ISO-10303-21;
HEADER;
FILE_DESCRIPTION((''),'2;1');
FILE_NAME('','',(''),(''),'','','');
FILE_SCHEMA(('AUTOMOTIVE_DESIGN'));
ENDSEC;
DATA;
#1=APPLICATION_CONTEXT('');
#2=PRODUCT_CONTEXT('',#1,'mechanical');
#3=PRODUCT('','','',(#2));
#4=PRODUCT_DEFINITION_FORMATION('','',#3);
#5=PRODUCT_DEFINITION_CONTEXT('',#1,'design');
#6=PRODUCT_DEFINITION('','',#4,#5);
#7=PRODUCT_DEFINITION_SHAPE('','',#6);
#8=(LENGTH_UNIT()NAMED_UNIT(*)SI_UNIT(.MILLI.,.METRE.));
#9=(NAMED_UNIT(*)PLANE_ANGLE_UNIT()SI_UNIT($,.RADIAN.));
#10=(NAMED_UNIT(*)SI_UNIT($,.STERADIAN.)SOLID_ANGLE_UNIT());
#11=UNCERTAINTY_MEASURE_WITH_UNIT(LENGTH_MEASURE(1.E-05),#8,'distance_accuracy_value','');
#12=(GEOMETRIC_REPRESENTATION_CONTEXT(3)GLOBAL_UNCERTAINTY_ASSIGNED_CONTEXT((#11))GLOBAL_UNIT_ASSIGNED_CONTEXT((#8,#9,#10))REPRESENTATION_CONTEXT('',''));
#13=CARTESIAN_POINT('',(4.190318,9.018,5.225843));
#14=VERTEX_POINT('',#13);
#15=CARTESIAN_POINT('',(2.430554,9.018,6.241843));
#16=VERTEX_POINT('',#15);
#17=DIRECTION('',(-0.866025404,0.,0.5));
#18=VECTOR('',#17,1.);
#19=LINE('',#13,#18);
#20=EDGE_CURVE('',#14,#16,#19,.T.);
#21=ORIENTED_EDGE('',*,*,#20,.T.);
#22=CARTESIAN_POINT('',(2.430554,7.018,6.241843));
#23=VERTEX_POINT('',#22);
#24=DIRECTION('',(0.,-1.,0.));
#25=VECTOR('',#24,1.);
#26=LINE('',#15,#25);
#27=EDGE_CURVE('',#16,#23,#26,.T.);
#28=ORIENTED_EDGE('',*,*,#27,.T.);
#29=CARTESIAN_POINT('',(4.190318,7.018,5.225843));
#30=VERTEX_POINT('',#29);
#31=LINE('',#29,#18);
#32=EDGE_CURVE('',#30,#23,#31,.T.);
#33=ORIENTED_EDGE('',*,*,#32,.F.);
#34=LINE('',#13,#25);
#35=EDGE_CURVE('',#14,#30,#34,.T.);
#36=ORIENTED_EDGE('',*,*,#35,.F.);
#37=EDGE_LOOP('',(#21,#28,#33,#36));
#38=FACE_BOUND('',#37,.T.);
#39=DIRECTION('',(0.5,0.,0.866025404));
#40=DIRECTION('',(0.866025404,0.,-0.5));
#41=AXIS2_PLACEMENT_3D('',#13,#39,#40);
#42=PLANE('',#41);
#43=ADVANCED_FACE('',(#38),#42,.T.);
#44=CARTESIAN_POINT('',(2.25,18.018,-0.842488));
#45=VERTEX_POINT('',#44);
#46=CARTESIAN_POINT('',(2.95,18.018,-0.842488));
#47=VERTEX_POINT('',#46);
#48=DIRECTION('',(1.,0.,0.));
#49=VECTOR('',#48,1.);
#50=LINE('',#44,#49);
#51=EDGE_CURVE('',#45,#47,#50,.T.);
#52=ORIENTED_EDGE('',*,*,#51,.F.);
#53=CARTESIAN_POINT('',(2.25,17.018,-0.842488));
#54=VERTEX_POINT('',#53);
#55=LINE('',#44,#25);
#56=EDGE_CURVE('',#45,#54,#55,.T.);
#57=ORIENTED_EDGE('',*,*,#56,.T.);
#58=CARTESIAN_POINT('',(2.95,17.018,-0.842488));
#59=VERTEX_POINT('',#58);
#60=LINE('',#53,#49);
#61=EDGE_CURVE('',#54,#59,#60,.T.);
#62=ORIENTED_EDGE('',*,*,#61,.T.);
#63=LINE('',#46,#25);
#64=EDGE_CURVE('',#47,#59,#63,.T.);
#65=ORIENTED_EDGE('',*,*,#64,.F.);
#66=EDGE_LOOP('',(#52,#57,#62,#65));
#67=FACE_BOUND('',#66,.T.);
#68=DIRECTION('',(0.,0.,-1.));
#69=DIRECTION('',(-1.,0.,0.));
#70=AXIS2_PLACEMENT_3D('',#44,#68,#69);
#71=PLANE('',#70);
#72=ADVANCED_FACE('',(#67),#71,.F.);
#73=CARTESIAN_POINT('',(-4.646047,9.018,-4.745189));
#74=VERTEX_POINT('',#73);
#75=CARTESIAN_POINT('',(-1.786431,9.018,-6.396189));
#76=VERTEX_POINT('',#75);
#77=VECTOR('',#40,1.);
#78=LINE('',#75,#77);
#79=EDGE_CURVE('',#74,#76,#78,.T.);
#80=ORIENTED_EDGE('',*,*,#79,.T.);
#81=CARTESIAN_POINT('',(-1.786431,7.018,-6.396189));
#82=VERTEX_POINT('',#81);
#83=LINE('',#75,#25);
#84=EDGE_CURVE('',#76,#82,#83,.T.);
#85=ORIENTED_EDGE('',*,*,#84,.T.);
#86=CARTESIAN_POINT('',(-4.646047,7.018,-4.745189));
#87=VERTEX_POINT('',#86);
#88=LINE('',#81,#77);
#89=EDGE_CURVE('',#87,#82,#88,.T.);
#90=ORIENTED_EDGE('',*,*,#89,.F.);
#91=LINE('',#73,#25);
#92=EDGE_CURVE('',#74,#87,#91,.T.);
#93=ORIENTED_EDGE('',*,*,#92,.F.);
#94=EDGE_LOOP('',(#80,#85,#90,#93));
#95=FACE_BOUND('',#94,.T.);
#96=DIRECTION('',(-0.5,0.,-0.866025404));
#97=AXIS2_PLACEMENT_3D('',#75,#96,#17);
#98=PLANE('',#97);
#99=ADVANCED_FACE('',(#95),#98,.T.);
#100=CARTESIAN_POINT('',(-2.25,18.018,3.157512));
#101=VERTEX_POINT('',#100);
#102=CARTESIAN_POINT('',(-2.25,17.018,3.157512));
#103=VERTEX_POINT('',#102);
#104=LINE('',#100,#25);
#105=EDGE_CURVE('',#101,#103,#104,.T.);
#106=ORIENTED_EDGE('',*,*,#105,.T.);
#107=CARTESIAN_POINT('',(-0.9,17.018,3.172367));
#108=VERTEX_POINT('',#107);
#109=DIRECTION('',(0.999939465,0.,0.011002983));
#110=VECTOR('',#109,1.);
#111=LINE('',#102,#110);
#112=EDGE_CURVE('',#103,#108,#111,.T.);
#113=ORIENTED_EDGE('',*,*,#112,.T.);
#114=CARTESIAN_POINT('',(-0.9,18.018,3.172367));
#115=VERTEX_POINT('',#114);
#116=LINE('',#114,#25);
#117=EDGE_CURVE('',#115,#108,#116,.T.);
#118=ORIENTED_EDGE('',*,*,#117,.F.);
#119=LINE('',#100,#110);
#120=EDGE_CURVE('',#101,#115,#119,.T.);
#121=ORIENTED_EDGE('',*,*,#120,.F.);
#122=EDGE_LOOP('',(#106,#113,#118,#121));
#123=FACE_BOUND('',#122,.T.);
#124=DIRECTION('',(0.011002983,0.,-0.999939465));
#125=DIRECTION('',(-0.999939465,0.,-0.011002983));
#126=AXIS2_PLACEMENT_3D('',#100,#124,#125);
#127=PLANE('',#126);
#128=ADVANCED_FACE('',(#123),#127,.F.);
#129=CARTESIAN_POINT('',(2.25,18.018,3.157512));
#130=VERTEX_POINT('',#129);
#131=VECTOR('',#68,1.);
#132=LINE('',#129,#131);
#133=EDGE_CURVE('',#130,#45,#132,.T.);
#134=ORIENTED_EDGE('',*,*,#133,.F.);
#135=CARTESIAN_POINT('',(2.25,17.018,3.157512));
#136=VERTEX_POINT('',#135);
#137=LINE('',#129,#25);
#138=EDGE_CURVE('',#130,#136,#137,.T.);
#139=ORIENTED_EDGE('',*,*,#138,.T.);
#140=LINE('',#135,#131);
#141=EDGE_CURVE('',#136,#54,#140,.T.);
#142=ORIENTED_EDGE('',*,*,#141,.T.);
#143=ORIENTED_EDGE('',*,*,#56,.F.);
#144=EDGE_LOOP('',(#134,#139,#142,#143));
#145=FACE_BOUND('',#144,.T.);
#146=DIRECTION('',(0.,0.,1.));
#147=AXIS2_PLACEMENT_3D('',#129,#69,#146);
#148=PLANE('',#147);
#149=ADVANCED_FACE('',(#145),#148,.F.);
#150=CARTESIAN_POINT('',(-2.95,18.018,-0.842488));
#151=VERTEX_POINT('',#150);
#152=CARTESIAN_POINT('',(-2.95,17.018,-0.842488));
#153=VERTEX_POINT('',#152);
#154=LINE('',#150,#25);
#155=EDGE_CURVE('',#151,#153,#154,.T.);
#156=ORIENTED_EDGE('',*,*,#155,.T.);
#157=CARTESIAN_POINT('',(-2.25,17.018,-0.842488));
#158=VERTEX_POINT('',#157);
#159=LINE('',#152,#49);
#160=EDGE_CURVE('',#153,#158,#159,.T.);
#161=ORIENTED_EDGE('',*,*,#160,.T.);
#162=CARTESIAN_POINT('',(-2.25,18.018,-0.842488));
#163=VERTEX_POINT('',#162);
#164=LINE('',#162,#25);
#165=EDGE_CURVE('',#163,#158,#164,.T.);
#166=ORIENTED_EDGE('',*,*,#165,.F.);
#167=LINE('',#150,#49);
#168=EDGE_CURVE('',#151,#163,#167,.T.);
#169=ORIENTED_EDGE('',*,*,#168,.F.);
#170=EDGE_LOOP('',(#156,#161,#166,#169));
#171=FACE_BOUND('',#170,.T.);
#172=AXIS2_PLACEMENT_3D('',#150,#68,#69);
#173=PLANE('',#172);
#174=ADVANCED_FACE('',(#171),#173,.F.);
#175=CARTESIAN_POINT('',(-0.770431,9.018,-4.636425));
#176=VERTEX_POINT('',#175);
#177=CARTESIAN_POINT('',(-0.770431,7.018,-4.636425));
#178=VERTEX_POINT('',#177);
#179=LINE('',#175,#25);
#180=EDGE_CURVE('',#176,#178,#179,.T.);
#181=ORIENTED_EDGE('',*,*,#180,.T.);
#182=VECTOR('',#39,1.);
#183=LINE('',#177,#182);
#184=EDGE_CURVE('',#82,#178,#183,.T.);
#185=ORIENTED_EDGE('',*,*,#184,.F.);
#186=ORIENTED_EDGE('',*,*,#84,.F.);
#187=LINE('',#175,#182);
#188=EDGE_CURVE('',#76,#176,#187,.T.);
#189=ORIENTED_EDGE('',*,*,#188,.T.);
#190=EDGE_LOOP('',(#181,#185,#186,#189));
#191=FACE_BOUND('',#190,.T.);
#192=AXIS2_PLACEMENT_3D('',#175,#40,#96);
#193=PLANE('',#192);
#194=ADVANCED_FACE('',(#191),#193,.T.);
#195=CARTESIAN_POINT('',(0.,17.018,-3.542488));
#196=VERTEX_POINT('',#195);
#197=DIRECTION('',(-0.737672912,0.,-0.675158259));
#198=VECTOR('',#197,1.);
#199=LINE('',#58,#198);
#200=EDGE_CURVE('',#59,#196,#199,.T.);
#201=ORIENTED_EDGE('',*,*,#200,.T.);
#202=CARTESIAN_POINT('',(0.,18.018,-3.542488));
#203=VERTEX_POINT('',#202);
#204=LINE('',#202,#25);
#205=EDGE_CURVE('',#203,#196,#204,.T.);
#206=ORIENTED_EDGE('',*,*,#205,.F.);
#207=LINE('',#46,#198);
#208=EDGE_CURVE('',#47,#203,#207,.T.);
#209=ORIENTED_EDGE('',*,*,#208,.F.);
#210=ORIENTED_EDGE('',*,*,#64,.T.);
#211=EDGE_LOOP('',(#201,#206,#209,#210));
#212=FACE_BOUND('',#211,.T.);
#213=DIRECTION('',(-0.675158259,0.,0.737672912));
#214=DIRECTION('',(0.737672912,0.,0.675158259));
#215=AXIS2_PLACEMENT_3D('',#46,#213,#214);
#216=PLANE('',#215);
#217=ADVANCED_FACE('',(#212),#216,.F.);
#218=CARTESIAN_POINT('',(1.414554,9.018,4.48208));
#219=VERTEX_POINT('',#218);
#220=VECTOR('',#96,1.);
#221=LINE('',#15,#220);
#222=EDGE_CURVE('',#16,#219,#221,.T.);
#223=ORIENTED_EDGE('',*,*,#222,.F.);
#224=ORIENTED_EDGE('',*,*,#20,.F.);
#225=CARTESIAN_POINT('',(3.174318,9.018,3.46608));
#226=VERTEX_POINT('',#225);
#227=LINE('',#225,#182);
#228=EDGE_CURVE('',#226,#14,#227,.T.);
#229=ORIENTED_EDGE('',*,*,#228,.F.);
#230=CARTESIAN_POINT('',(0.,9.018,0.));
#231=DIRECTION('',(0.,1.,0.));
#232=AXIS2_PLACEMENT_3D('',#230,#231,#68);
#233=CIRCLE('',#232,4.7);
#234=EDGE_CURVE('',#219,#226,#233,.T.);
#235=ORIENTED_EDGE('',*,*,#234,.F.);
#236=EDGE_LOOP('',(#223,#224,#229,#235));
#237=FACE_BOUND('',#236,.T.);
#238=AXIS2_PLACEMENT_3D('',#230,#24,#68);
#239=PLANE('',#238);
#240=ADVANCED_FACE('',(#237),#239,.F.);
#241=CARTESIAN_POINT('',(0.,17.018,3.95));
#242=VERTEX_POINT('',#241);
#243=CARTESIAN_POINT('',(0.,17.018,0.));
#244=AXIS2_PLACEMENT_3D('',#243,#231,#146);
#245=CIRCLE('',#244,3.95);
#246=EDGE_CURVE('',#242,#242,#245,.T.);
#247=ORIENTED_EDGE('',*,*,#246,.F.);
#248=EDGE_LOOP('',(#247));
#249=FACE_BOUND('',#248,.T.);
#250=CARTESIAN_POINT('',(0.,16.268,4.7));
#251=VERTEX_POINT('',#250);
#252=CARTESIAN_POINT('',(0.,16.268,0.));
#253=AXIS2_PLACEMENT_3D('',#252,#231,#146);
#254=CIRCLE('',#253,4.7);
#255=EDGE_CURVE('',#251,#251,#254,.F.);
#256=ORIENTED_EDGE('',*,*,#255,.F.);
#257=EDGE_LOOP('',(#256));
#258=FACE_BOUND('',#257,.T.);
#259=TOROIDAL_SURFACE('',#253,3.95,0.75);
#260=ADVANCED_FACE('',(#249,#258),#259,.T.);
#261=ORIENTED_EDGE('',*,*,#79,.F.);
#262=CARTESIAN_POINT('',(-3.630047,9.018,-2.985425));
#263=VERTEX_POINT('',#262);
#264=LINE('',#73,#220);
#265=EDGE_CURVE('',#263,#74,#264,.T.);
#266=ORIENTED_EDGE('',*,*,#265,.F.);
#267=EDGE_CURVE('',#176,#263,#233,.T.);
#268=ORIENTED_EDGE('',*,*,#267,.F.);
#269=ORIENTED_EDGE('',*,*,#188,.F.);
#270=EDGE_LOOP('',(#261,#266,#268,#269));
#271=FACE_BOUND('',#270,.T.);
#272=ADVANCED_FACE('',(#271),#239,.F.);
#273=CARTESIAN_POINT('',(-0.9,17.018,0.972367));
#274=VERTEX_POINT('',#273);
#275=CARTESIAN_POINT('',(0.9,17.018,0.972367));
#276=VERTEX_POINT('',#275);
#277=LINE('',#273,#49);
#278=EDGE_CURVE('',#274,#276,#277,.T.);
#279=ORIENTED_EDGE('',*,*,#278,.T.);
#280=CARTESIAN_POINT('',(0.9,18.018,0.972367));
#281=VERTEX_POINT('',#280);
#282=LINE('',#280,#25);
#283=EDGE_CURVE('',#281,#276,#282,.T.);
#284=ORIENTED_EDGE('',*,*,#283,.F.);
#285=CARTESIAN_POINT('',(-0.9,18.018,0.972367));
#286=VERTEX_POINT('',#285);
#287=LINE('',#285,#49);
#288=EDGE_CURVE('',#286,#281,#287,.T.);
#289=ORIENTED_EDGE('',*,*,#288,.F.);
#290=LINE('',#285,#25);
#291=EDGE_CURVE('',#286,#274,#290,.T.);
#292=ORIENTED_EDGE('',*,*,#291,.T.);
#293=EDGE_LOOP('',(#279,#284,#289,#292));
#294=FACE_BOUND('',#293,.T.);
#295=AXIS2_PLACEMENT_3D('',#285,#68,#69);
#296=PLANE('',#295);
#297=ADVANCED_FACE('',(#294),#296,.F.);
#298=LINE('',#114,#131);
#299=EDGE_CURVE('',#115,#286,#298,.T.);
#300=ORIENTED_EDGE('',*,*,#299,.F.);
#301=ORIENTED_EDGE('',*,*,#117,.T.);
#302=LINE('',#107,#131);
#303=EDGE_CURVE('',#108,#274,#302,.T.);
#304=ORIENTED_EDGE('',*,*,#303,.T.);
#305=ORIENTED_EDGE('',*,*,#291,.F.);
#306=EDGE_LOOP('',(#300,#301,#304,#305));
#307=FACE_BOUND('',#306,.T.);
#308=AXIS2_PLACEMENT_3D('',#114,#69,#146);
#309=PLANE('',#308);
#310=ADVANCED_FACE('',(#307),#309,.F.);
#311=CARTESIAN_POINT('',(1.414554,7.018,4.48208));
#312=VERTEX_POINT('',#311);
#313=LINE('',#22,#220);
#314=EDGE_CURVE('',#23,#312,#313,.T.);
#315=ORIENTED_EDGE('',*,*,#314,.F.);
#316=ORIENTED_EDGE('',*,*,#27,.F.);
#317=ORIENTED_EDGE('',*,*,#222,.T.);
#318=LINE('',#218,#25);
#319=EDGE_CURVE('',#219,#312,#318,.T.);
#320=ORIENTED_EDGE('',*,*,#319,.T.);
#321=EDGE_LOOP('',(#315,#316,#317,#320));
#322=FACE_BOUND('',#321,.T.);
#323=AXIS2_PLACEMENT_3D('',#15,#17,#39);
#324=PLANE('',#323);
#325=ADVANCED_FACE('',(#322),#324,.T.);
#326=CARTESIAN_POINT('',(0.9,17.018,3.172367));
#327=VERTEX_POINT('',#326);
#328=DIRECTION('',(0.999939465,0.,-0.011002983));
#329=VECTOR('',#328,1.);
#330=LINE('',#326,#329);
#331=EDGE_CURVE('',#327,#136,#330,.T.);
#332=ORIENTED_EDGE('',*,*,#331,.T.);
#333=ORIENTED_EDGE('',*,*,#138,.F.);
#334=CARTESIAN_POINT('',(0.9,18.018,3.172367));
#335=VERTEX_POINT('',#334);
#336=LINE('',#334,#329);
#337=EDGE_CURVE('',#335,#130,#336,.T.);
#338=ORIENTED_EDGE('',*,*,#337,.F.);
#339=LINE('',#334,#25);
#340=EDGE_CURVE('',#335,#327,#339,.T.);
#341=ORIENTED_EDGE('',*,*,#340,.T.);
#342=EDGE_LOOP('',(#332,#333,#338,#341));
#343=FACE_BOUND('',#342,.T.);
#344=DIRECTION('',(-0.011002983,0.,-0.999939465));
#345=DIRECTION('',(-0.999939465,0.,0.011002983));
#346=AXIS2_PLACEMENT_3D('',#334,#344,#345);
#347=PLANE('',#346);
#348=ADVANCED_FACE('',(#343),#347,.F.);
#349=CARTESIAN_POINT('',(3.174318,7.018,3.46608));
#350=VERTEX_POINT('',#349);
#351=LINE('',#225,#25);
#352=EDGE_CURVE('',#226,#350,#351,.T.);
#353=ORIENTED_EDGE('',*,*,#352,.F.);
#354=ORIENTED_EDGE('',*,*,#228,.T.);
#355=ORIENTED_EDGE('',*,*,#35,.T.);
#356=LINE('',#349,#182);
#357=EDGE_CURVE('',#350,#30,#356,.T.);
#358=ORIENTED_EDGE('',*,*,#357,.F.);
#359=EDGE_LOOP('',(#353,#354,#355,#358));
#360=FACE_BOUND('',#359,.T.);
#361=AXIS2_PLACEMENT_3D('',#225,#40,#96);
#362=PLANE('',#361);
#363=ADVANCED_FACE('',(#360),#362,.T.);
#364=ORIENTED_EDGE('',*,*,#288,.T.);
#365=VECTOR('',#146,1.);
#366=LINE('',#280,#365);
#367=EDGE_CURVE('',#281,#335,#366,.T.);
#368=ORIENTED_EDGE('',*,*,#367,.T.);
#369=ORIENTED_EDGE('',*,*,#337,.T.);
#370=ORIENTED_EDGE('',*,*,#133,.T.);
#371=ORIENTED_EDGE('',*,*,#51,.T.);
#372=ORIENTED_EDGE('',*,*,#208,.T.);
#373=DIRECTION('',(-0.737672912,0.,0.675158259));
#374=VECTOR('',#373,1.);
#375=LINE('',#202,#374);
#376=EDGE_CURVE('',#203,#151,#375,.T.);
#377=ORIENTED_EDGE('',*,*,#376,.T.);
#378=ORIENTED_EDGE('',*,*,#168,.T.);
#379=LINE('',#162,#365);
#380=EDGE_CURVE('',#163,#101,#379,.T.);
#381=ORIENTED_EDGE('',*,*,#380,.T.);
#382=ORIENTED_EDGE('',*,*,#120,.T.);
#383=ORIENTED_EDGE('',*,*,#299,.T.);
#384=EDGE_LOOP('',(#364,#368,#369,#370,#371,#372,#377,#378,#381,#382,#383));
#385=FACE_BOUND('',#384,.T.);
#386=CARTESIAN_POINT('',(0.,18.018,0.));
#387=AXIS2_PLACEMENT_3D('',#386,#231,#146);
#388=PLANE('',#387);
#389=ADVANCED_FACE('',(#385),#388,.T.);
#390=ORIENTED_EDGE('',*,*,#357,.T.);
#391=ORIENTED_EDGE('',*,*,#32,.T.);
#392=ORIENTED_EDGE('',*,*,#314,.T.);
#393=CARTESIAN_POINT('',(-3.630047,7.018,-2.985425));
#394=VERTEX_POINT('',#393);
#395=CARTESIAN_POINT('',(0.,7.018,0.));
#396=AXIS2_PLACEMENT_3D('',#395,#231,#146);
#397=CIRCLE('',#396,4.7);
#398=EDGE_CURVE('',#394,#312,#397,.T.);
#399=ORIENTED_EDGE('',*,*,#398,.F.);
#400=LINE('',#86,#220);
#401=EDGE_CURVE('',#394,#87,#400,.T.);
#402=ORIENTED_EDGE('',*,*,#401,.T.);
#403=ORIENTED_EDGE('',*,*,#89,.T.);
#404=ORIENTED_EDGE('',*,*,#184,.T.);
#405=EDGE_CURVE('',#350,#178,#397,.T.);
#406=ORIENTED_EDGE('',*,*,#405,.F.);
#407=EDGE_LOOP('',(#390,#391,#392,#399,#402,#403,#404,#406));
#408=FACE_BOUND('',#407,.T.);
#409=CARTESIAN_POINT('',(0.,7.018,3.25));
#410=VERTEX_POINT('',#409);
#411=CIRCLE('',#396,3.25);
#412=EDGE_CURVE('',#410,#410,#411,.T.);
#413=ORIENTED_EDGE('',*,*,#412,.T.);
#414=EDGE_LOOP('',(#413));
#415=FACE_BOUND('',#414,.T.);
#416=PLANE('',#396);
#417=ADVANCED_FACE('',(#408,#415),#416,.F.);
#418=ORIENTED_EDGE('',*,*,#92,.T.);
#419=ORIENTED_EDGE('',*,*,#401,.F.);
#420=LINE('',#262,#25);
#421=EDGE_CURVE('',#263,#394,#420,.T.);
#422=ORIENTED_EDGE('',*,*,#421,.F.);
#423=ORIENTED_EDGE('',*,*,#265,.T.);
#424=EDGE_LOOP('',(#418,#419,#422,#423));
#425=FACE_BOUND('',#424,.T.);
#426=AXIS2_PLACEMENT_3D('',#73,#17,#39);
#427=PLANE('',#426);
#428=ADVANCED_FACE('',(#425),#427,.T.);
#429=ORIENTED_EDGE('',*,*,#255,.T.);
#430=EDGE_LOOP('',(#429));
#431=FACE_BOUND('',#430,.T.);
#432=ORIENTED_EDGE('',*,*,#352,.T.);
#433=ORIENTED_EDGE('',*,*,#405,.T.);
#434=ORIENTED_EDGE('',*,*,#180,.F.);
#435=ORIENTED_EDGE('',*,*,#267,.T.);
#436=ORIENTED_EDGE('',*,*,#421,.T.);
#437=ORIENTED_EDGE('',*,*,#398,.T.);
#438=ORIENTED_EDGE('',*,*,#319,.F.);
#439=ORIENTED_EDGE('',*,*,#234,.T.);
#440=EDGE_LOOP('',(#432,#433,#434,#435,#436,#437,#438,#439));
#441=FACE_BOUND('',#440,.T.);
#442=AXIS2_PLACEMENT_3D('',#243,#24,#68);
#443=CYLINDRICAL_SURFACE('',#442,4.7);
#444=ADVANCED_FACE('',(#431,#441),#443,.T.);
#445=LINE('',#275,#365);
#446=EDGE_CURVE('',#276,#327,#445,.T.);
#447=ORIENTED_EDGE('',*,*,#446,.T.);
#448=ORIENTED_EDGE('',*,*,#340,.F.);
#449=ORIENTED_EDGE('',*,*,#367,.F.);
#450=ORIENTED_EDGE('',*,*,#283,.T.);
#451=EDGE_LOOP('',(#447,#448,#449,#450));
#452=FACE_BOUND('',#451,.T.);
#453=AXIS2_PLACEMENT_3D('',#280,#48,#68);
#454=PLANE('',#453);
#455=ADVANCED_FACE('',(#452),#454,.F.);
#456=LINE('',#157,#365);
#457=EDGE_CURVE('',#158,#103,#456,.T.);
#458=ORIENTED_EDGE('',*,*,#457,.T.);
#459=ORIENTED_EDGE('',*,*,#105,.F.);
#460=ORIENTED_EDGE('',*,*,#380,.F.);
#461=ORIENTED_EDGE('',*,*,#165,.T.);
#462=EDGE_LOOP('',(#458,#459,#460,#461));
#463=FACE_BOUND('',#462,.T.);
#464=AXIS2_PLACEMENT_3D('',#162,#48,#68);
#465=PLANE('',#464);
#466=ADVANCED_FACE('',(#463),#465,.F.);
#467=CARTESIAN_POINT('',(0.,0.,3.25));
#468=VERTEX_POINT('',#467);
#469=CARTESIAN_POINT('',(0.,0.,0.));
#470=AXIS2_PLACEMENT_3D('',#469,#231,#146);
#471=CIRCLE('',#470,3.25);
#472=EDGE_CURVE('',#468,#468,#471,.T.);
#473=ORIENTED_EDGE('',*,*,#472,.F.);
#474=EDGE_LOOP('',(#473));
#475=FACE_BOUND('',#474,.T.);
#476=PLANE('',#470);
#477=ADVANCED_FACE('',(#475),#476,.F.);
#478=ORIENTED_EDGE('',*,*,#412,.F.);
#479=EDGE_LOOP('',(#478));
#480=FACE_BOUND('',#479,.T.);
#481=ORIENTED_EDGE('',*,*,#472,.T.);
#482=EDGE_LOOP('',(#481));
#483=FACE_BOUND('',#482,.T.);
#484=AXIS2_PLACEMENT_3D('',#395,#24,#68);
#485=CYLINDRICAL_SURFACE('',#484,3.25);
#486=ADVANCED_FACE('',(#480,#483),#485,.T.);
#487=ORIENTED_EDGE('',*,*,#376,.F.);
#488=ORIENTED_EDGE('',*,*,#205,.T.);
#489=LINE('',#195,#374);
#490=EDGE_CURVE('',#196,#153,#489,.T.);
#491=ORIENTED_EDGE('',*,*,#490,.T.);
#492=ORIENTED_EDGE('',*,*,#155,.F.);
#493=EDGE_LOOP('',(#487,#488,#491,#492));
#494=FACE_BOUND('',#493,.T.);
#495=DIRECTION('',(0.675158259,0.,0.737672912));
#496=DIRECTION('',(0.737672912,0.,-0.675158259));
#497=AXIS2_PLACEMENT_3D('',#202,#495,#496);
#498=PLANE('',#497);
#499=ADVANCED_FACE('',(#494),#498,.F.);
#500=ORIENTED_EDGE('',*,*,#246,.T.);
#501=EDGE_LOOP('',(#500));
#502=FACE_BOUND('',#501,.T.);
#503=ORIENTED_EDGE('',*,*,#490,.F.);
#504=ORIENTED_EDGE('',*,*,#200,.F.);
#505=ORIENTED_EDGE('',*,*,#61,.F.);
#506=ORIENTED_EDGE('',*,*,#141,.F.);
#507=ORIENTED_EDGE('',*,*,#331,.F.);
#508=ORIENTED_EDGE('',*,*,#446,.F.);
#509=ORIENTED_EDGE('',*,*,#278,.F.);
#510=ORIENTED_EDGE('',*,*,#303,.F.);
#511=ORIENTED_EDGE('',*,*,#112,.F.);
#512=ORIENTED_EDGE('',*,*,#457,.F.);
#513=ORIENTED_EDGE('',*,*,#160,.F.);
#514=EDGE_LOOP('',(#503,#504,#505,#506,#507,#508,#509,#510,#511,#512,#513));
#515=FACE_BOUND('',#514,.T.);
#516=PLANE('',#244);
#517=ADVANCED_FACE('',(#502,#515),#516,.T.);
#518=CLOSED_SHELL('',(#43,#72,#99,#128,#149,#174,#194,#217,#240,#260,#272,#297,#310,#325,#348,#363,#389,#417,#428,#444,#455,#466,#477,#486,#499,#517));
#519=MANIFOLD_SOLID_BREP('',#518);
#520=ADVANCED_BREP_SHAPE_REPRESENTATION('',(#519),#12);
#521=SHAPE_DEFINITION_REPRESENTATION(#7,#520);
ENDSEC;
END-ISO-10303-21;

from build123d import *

# Parameters (mm, degrees)
SKETCH1_R           = 3.25
BOSS_EXTRUDE1_DEPTH = 7.018
SKETCH6_R           = 4.7
BOSS_EXTRUDE2_DEPTH = 10
BOSS_EXTRUDE3_DEPTH = 1
FILLET1_R           = 0.75
BOSS_EXTRUDE4_DEPTH = 2


with BuildPart() as part:
    # Sketch1 → Boss-Extrude1 (new body)
    with BuildSketch(Plane(origin=(0, 0, 0), x_dir=(1, 0, 0), z_dir=(0, 1, 0))):
        Circle(SKETCH1_R)
    extrude(amount=BOSS_EXTRUDE1_DEPTH)

    # Sketch6 → Boss-Extrude2 (add)
    with BuildSketch(Plane(origin=(0, 7.018, 0), x_dir=(1, 0, 0), z_dir=(0, 1, 0))):
        Circle(SKETCH6_R)
    extrude(amount=BOSS_EXTRUDE2_DEPTH)

    # Sketch12 → Boss-Extrude3 (add)
    with BuildSketch(Plane(origin=(0, 17.018, 0), x_dir=(1, 0, 0), z_dir=(0, 1, 0))):
        Polygon((0, 3.542487974), (-2.95, 0.842487974), (-2.25, 0.842487974), (-2.25, -3.157512026), (-0.9, -3.172366953), (-0.9, -0.972366953), (0.9, -0.972366953), (0.9, -3.172366953), (2.25, -3.157512026), (2.25, 0.842487974), (2.95, 0.842487974), align=None)
    extrude(amount=BOSS_EXTRUDE3_DEPTH)

    # Fillet1
    fillet1_edges = [part.edges().sort_by_distance(p)[0] for p in [
        (-4.7, 17.018, 0),
    ]]
    fillet(fillet1_edges, radius=FILLET1_R)

    # Sketch13 → Boss-Extrude4 (add)
    with BuildSketch(Plane.XZ.offset(-7.018)):
        with BuildLine():
            Line((-0.770430625, -4.636424986), (-1.786430625, -6.396188607))
            Line((-1.786430625, -6.396188607), (-4.646046508, -4.745188607))
            Line((-4.646046508, -4.745188607), (-3.630046508, -2.985424986))
            ThreePointArc((-3.630046508, -2.985424986), (-2.35, -4.070319398), (-0.770430625, -4.636424986))
        make_face()
        with BuildLine():
            Line((3.174317689, 3.466079516), (4.190317689, 5.225843137))
            Line((4.190317689, 5.225843137), (2.430554068, 6.241843137))
            Line((2.430554068, 6.241843137), (1.414554068, 4.482079516))
            ThreePointArc((1.414554068, 4.482079516), (2.35, 4.070319398), (3.174317689, 3.466079516))
        make_face()
    extrude(amount=-BOSS_EXTRUDE4_DEPTH)


solid = part.part
